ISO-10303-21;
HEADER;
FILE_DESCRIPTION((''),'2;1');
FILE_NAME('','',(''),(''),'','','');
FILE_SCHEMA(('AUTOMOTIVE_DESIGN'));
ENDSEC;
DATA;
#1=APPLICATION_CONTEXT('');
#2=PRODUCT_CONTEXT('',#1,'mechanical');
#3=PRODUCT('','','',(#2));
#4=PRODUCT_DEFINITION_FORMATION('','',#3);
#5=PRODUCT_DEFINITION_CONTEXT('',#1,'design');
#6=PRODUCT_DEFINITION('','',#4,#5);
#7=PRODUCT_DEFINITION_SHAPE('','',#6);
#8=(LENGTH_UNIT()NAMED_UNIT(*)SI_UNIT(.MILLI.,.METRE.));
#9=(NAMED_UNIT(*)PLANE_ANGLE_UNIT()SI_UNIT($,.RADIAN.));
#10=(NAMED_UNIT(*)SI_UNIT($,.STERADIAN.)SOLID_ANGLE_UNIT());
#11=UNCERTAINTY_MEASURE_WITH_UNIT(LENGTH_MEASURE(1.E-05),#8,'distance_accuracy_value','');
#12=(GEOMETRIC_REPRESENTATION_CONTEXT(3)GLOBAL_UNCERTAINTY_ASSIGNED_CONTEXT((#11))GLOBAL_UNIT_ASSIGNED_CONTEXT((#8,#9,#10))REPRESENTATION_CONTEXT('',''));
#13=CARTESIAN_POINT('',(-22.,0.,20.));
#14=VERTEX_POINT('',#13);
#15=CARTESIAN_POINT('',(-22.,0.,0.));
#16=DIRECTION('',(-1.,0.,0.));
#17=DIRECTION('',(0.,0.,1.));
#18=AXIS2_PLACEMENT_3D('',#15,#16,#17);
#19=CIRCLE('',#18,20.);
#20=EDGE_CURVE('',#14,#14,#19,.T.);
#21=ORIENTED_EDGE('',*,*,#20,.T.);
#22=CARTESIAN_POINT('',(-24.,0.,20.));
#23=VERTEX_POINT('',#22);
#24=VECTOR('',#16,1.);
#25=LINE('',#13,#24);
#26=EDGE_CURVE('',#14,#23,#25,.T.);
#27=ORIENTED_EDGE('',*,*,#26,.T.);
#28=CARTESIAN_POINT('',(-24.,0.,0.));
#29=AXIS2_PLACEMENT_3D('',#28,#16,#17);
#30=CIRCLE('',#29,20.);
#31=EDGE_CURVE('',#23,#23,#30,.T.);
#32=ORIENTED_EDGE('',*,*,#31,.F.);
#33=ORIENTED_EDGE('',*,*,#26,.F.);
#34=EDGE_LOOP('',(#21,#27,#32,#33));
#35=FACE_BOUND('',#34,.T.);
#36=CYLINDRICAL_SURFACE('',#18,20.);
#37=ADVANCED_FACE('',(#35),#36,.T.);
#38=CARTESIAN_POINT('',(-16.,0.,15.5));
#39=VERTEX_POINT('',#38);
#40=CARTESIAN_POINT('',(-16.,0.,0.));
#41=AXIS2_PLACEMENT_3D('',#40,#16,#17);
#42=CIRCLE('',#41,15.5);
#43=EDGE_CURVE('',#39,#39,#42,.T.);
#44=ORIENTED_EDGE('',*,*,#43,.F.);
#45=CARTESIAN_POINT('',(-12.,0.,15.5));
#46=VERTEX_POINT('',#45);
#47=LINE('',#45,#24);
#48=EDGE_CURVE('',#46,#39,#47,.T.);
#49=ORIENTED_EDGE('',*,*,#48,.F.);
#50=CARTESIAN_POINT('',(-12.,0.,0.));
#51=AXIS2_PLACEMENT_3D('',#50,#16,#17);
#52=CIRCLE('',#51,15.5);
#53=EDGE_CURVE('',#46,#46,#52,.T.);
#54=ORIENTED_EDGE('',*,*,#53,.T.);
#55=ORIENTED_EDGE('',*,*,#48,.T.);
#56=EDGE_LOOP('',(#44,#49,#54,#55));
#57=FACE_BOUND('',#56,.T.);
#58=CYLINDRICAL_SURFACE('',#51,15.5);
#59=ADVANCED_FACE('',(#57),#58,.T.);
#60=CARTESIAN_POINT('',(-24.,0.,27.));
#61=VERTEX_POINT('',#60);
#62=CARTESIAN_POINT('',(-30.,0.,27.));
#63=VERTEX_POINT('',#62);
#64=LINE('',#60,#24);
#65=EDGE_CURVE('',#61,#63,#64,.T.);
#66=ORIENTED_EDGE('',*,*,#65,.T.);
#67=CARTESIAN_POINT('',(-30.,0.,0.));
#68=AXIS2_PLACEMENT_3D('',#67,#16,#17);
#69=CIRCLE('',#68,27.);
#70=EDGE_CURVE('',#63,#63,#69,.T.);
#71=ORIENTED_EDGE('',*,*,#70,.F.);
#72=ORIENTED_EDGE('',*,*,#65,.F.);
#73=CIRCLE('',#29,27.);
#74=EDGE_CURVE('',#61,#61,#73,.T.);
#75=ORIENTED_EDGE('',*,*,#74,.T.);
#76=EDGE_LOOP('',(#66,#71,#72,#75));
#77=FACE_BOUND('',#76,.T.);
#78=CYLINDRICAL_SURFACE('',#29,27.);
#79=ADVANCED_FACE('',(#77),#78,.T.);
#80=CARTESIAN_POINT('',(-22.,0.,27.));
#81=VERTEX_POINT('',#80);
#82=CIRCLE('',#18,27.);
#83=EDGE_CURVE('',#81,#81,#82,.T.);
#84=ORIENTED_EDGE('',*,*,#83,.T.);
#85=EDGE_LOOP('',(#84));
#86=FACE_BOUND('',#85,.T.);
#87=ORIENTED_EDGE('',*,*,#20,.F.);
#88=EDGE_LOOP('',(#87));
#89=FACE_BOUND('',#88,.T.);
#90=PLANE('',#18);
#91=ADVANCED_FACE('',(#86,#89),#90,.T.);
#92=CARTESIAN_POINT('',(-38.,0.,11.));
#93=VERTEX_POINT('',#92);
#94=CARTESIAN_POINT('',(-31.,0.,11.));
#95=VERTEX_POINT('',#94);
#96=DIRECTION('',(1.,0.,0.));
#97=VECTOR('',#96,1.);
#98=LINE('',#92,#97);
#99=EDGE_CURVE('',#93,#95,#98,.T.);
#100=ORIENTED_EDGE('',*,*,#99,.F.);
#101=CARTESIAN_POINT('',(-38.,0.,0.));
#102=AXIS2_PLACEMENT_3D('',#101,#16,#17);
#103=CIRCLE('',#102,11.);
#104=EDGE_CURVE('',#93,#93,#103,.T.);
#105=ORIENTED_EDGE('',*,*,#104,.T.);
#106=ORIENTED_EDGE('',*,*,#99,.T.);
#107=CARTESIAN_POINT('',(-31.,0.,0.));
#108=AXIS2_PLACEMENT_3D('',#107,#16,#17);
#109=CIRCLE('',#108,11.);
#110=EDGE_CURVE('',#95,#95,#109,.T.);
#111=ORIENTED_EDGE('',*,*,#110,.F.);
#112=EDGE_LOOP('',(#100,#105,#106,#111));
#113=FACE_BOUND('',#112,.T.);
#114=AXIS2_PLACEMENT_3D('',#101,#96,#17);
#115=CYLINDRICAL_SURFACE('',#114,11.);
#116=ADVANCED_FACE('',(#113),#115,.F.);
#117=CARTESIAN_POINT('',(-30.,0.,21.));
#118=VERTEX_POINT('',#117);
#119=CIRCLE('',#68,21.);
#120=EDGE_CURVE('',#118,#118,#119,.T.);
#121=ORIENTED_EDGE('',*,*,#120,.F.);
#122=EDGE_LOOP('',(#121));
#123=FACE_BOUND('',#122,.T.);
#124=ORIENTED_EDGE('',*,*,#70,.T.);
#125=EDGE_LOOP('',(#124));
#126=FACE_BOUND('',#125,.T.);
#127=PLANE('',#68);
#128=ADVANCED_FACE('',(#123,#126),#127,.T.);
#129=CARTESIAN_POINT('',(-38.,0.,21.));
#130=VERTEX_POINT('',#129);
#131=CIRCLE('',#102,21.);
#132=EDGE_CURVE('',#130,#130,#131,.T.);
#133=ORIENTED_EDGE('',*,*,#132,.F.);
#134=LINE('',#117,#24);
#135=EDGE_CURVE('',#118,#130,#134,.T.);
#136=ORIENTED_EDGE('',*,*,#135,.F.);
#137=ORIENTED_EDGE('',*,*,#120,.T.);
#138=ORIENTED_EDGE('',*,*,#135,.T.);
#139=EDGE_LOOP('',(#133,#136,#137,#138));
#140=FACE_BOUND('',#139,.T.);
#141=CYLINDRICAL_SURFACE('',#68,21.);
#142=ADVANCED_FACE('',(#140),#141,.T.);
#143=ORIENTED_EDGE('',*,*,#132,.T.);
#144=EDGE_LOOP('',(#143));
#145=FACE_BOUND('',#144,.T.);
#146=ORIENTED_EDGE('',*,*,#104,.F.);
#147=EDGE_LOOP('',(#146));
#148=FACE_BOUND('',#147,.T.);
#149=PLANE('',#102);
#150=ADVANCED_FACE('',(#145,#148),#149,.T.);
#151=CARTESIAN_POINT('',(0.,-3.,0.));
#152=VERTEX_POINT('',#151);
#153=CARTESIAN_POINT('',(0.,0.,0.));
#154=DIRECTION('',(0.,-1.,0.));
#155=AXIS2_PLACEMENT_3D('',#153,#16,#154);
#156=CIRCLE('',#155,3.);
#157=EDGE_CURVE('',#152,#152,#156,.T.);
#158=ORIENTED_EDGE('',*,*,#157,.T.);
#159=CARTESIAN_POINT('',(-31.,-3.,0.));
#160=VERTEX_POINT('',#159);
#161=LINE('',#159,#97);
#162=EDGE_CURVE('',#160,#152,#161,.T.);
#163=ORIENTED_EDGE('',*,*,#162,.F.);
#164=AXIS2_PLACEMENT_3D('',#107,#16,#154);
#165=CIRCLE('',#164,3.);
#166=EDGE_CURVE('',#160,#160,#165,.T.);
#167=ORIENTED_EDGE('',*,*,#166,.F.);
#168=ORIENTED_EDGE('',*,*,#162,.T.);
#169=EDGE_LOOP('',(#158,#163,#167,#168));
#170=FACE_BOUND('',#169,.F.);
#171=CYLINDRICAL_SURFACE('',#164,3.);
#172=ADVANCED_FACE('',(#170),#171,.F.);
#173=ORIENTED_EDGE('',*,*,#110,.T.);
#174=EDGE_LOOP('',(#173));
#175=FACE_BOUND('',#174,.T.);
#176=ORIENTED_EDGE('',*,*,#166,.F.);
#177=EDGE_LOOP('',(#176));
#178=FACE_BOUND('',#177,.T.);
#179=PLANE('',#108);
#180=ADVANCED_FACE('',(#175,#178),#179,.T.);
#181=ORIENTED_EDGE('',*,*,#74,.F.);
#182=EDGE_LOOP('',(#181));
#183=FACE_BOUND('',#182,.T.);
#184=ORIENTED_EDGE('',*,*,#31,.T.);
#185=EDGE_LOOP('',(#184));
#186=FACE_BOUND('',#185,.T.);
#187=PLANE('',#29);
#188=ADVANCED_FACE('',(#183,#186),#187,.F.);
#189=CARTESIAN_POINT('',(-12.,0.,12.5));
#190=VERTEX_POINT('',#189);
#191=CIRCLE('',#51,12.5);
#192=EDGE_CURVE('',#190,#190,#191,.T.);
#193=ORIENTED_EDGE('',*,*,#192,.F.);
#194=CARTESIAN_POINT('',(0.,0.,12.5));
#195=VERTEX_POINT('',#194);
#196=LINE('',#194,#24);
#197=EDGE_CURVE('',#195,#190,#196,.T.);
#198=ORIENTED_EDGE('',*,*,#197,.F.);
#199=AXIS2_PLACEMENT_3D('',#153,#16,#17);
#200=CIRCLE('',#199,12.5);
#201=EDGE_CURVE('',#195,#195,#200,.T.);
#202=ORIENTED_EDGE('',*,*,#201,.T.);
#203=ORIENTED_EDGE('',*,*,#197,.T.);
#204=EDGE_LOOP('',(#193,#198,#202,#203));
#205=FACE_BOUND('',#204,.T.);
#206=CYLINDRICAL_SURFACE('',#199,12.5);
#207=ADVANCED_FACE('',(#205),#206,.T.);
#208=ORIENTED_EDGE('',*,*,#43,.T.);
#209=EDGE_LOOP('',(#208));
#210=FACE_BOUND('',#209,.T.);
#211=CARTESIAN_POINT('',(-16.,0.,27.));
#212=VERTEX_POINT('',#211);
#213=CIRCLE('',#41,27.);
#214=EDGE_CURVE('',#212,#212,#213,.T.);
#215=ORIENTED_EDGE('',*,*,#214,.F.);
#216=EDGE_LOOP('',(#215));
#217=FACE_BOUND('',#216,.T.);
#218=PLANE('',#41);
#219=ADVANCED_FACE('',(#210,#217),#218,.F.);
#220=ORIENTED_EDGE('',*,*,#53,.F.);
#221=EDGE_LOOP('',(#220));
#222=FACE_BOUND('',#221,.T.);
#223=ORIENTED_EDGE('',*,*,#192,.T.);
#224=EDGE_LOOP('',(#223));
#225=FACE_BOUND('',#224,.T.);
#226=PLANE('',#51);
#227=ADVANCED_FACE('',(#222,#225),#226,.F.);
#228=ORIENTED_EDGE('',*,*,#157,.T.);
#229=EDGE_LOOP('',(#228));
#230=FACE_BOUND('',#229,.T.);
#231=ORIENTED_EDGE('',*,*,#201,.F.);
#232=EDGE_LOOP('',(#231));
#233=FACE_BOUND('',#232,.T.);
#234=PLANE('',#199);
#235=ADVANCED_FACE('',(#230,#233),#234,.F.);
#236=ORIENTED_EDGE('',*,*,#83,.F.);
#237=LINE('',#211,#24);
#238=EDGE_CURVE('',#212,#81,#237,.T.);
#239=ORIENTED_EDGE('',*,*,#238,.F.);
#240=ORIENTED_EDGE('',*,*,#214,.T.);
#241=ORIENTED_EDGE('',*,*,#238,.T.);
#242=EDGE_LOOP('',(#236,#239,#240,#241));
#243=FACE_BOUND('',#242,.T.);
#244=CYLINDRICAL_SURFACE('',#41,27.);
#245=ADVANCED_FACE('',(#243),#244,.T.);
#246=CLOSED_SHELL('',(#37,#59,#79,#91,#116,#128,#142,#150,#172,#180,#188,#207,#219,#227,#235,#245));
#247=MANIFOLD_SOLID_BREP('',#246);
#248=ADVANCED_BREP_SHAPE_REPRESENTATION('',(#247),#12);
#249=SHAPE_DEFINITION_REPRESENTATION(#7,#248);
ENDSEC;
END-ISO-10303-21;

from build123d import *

# Parameters (mm, degrees)
F2_R     = 3
F3_DEPTH = 31.001


with BuildPart() as f1:
    # F0 (on Front) → F1 (revolve)
    with BuildSketch(Plane.XZ):
        Polygon((-31, 11), (-31, 0), (0, 0), (0, 12.5), (-12, 12.5), (-12, 15.5), (-16, 15.5), (-16, 27), (-22, 27), (-22, 20), (-24, 20), (-24, 27), (-30, 27), (-30, 21), (-38, 21), (-38, 11), align=None)
    revolve(axis=Axis((-15.5, 0, 0), (-1, 0, 0)))

    # F2 (on face) → F3 (cut, through all)
    with BuildSketch(Plane(origin=(-31, 0, 0), x_dir=(0, -1, 0), z_dir=(-1, 0, 0))):
        Circle(F2_R)
    extrude(amount=-F3_DEPTH, mode=Mode.SUBTRACT)


solid = f1.part
